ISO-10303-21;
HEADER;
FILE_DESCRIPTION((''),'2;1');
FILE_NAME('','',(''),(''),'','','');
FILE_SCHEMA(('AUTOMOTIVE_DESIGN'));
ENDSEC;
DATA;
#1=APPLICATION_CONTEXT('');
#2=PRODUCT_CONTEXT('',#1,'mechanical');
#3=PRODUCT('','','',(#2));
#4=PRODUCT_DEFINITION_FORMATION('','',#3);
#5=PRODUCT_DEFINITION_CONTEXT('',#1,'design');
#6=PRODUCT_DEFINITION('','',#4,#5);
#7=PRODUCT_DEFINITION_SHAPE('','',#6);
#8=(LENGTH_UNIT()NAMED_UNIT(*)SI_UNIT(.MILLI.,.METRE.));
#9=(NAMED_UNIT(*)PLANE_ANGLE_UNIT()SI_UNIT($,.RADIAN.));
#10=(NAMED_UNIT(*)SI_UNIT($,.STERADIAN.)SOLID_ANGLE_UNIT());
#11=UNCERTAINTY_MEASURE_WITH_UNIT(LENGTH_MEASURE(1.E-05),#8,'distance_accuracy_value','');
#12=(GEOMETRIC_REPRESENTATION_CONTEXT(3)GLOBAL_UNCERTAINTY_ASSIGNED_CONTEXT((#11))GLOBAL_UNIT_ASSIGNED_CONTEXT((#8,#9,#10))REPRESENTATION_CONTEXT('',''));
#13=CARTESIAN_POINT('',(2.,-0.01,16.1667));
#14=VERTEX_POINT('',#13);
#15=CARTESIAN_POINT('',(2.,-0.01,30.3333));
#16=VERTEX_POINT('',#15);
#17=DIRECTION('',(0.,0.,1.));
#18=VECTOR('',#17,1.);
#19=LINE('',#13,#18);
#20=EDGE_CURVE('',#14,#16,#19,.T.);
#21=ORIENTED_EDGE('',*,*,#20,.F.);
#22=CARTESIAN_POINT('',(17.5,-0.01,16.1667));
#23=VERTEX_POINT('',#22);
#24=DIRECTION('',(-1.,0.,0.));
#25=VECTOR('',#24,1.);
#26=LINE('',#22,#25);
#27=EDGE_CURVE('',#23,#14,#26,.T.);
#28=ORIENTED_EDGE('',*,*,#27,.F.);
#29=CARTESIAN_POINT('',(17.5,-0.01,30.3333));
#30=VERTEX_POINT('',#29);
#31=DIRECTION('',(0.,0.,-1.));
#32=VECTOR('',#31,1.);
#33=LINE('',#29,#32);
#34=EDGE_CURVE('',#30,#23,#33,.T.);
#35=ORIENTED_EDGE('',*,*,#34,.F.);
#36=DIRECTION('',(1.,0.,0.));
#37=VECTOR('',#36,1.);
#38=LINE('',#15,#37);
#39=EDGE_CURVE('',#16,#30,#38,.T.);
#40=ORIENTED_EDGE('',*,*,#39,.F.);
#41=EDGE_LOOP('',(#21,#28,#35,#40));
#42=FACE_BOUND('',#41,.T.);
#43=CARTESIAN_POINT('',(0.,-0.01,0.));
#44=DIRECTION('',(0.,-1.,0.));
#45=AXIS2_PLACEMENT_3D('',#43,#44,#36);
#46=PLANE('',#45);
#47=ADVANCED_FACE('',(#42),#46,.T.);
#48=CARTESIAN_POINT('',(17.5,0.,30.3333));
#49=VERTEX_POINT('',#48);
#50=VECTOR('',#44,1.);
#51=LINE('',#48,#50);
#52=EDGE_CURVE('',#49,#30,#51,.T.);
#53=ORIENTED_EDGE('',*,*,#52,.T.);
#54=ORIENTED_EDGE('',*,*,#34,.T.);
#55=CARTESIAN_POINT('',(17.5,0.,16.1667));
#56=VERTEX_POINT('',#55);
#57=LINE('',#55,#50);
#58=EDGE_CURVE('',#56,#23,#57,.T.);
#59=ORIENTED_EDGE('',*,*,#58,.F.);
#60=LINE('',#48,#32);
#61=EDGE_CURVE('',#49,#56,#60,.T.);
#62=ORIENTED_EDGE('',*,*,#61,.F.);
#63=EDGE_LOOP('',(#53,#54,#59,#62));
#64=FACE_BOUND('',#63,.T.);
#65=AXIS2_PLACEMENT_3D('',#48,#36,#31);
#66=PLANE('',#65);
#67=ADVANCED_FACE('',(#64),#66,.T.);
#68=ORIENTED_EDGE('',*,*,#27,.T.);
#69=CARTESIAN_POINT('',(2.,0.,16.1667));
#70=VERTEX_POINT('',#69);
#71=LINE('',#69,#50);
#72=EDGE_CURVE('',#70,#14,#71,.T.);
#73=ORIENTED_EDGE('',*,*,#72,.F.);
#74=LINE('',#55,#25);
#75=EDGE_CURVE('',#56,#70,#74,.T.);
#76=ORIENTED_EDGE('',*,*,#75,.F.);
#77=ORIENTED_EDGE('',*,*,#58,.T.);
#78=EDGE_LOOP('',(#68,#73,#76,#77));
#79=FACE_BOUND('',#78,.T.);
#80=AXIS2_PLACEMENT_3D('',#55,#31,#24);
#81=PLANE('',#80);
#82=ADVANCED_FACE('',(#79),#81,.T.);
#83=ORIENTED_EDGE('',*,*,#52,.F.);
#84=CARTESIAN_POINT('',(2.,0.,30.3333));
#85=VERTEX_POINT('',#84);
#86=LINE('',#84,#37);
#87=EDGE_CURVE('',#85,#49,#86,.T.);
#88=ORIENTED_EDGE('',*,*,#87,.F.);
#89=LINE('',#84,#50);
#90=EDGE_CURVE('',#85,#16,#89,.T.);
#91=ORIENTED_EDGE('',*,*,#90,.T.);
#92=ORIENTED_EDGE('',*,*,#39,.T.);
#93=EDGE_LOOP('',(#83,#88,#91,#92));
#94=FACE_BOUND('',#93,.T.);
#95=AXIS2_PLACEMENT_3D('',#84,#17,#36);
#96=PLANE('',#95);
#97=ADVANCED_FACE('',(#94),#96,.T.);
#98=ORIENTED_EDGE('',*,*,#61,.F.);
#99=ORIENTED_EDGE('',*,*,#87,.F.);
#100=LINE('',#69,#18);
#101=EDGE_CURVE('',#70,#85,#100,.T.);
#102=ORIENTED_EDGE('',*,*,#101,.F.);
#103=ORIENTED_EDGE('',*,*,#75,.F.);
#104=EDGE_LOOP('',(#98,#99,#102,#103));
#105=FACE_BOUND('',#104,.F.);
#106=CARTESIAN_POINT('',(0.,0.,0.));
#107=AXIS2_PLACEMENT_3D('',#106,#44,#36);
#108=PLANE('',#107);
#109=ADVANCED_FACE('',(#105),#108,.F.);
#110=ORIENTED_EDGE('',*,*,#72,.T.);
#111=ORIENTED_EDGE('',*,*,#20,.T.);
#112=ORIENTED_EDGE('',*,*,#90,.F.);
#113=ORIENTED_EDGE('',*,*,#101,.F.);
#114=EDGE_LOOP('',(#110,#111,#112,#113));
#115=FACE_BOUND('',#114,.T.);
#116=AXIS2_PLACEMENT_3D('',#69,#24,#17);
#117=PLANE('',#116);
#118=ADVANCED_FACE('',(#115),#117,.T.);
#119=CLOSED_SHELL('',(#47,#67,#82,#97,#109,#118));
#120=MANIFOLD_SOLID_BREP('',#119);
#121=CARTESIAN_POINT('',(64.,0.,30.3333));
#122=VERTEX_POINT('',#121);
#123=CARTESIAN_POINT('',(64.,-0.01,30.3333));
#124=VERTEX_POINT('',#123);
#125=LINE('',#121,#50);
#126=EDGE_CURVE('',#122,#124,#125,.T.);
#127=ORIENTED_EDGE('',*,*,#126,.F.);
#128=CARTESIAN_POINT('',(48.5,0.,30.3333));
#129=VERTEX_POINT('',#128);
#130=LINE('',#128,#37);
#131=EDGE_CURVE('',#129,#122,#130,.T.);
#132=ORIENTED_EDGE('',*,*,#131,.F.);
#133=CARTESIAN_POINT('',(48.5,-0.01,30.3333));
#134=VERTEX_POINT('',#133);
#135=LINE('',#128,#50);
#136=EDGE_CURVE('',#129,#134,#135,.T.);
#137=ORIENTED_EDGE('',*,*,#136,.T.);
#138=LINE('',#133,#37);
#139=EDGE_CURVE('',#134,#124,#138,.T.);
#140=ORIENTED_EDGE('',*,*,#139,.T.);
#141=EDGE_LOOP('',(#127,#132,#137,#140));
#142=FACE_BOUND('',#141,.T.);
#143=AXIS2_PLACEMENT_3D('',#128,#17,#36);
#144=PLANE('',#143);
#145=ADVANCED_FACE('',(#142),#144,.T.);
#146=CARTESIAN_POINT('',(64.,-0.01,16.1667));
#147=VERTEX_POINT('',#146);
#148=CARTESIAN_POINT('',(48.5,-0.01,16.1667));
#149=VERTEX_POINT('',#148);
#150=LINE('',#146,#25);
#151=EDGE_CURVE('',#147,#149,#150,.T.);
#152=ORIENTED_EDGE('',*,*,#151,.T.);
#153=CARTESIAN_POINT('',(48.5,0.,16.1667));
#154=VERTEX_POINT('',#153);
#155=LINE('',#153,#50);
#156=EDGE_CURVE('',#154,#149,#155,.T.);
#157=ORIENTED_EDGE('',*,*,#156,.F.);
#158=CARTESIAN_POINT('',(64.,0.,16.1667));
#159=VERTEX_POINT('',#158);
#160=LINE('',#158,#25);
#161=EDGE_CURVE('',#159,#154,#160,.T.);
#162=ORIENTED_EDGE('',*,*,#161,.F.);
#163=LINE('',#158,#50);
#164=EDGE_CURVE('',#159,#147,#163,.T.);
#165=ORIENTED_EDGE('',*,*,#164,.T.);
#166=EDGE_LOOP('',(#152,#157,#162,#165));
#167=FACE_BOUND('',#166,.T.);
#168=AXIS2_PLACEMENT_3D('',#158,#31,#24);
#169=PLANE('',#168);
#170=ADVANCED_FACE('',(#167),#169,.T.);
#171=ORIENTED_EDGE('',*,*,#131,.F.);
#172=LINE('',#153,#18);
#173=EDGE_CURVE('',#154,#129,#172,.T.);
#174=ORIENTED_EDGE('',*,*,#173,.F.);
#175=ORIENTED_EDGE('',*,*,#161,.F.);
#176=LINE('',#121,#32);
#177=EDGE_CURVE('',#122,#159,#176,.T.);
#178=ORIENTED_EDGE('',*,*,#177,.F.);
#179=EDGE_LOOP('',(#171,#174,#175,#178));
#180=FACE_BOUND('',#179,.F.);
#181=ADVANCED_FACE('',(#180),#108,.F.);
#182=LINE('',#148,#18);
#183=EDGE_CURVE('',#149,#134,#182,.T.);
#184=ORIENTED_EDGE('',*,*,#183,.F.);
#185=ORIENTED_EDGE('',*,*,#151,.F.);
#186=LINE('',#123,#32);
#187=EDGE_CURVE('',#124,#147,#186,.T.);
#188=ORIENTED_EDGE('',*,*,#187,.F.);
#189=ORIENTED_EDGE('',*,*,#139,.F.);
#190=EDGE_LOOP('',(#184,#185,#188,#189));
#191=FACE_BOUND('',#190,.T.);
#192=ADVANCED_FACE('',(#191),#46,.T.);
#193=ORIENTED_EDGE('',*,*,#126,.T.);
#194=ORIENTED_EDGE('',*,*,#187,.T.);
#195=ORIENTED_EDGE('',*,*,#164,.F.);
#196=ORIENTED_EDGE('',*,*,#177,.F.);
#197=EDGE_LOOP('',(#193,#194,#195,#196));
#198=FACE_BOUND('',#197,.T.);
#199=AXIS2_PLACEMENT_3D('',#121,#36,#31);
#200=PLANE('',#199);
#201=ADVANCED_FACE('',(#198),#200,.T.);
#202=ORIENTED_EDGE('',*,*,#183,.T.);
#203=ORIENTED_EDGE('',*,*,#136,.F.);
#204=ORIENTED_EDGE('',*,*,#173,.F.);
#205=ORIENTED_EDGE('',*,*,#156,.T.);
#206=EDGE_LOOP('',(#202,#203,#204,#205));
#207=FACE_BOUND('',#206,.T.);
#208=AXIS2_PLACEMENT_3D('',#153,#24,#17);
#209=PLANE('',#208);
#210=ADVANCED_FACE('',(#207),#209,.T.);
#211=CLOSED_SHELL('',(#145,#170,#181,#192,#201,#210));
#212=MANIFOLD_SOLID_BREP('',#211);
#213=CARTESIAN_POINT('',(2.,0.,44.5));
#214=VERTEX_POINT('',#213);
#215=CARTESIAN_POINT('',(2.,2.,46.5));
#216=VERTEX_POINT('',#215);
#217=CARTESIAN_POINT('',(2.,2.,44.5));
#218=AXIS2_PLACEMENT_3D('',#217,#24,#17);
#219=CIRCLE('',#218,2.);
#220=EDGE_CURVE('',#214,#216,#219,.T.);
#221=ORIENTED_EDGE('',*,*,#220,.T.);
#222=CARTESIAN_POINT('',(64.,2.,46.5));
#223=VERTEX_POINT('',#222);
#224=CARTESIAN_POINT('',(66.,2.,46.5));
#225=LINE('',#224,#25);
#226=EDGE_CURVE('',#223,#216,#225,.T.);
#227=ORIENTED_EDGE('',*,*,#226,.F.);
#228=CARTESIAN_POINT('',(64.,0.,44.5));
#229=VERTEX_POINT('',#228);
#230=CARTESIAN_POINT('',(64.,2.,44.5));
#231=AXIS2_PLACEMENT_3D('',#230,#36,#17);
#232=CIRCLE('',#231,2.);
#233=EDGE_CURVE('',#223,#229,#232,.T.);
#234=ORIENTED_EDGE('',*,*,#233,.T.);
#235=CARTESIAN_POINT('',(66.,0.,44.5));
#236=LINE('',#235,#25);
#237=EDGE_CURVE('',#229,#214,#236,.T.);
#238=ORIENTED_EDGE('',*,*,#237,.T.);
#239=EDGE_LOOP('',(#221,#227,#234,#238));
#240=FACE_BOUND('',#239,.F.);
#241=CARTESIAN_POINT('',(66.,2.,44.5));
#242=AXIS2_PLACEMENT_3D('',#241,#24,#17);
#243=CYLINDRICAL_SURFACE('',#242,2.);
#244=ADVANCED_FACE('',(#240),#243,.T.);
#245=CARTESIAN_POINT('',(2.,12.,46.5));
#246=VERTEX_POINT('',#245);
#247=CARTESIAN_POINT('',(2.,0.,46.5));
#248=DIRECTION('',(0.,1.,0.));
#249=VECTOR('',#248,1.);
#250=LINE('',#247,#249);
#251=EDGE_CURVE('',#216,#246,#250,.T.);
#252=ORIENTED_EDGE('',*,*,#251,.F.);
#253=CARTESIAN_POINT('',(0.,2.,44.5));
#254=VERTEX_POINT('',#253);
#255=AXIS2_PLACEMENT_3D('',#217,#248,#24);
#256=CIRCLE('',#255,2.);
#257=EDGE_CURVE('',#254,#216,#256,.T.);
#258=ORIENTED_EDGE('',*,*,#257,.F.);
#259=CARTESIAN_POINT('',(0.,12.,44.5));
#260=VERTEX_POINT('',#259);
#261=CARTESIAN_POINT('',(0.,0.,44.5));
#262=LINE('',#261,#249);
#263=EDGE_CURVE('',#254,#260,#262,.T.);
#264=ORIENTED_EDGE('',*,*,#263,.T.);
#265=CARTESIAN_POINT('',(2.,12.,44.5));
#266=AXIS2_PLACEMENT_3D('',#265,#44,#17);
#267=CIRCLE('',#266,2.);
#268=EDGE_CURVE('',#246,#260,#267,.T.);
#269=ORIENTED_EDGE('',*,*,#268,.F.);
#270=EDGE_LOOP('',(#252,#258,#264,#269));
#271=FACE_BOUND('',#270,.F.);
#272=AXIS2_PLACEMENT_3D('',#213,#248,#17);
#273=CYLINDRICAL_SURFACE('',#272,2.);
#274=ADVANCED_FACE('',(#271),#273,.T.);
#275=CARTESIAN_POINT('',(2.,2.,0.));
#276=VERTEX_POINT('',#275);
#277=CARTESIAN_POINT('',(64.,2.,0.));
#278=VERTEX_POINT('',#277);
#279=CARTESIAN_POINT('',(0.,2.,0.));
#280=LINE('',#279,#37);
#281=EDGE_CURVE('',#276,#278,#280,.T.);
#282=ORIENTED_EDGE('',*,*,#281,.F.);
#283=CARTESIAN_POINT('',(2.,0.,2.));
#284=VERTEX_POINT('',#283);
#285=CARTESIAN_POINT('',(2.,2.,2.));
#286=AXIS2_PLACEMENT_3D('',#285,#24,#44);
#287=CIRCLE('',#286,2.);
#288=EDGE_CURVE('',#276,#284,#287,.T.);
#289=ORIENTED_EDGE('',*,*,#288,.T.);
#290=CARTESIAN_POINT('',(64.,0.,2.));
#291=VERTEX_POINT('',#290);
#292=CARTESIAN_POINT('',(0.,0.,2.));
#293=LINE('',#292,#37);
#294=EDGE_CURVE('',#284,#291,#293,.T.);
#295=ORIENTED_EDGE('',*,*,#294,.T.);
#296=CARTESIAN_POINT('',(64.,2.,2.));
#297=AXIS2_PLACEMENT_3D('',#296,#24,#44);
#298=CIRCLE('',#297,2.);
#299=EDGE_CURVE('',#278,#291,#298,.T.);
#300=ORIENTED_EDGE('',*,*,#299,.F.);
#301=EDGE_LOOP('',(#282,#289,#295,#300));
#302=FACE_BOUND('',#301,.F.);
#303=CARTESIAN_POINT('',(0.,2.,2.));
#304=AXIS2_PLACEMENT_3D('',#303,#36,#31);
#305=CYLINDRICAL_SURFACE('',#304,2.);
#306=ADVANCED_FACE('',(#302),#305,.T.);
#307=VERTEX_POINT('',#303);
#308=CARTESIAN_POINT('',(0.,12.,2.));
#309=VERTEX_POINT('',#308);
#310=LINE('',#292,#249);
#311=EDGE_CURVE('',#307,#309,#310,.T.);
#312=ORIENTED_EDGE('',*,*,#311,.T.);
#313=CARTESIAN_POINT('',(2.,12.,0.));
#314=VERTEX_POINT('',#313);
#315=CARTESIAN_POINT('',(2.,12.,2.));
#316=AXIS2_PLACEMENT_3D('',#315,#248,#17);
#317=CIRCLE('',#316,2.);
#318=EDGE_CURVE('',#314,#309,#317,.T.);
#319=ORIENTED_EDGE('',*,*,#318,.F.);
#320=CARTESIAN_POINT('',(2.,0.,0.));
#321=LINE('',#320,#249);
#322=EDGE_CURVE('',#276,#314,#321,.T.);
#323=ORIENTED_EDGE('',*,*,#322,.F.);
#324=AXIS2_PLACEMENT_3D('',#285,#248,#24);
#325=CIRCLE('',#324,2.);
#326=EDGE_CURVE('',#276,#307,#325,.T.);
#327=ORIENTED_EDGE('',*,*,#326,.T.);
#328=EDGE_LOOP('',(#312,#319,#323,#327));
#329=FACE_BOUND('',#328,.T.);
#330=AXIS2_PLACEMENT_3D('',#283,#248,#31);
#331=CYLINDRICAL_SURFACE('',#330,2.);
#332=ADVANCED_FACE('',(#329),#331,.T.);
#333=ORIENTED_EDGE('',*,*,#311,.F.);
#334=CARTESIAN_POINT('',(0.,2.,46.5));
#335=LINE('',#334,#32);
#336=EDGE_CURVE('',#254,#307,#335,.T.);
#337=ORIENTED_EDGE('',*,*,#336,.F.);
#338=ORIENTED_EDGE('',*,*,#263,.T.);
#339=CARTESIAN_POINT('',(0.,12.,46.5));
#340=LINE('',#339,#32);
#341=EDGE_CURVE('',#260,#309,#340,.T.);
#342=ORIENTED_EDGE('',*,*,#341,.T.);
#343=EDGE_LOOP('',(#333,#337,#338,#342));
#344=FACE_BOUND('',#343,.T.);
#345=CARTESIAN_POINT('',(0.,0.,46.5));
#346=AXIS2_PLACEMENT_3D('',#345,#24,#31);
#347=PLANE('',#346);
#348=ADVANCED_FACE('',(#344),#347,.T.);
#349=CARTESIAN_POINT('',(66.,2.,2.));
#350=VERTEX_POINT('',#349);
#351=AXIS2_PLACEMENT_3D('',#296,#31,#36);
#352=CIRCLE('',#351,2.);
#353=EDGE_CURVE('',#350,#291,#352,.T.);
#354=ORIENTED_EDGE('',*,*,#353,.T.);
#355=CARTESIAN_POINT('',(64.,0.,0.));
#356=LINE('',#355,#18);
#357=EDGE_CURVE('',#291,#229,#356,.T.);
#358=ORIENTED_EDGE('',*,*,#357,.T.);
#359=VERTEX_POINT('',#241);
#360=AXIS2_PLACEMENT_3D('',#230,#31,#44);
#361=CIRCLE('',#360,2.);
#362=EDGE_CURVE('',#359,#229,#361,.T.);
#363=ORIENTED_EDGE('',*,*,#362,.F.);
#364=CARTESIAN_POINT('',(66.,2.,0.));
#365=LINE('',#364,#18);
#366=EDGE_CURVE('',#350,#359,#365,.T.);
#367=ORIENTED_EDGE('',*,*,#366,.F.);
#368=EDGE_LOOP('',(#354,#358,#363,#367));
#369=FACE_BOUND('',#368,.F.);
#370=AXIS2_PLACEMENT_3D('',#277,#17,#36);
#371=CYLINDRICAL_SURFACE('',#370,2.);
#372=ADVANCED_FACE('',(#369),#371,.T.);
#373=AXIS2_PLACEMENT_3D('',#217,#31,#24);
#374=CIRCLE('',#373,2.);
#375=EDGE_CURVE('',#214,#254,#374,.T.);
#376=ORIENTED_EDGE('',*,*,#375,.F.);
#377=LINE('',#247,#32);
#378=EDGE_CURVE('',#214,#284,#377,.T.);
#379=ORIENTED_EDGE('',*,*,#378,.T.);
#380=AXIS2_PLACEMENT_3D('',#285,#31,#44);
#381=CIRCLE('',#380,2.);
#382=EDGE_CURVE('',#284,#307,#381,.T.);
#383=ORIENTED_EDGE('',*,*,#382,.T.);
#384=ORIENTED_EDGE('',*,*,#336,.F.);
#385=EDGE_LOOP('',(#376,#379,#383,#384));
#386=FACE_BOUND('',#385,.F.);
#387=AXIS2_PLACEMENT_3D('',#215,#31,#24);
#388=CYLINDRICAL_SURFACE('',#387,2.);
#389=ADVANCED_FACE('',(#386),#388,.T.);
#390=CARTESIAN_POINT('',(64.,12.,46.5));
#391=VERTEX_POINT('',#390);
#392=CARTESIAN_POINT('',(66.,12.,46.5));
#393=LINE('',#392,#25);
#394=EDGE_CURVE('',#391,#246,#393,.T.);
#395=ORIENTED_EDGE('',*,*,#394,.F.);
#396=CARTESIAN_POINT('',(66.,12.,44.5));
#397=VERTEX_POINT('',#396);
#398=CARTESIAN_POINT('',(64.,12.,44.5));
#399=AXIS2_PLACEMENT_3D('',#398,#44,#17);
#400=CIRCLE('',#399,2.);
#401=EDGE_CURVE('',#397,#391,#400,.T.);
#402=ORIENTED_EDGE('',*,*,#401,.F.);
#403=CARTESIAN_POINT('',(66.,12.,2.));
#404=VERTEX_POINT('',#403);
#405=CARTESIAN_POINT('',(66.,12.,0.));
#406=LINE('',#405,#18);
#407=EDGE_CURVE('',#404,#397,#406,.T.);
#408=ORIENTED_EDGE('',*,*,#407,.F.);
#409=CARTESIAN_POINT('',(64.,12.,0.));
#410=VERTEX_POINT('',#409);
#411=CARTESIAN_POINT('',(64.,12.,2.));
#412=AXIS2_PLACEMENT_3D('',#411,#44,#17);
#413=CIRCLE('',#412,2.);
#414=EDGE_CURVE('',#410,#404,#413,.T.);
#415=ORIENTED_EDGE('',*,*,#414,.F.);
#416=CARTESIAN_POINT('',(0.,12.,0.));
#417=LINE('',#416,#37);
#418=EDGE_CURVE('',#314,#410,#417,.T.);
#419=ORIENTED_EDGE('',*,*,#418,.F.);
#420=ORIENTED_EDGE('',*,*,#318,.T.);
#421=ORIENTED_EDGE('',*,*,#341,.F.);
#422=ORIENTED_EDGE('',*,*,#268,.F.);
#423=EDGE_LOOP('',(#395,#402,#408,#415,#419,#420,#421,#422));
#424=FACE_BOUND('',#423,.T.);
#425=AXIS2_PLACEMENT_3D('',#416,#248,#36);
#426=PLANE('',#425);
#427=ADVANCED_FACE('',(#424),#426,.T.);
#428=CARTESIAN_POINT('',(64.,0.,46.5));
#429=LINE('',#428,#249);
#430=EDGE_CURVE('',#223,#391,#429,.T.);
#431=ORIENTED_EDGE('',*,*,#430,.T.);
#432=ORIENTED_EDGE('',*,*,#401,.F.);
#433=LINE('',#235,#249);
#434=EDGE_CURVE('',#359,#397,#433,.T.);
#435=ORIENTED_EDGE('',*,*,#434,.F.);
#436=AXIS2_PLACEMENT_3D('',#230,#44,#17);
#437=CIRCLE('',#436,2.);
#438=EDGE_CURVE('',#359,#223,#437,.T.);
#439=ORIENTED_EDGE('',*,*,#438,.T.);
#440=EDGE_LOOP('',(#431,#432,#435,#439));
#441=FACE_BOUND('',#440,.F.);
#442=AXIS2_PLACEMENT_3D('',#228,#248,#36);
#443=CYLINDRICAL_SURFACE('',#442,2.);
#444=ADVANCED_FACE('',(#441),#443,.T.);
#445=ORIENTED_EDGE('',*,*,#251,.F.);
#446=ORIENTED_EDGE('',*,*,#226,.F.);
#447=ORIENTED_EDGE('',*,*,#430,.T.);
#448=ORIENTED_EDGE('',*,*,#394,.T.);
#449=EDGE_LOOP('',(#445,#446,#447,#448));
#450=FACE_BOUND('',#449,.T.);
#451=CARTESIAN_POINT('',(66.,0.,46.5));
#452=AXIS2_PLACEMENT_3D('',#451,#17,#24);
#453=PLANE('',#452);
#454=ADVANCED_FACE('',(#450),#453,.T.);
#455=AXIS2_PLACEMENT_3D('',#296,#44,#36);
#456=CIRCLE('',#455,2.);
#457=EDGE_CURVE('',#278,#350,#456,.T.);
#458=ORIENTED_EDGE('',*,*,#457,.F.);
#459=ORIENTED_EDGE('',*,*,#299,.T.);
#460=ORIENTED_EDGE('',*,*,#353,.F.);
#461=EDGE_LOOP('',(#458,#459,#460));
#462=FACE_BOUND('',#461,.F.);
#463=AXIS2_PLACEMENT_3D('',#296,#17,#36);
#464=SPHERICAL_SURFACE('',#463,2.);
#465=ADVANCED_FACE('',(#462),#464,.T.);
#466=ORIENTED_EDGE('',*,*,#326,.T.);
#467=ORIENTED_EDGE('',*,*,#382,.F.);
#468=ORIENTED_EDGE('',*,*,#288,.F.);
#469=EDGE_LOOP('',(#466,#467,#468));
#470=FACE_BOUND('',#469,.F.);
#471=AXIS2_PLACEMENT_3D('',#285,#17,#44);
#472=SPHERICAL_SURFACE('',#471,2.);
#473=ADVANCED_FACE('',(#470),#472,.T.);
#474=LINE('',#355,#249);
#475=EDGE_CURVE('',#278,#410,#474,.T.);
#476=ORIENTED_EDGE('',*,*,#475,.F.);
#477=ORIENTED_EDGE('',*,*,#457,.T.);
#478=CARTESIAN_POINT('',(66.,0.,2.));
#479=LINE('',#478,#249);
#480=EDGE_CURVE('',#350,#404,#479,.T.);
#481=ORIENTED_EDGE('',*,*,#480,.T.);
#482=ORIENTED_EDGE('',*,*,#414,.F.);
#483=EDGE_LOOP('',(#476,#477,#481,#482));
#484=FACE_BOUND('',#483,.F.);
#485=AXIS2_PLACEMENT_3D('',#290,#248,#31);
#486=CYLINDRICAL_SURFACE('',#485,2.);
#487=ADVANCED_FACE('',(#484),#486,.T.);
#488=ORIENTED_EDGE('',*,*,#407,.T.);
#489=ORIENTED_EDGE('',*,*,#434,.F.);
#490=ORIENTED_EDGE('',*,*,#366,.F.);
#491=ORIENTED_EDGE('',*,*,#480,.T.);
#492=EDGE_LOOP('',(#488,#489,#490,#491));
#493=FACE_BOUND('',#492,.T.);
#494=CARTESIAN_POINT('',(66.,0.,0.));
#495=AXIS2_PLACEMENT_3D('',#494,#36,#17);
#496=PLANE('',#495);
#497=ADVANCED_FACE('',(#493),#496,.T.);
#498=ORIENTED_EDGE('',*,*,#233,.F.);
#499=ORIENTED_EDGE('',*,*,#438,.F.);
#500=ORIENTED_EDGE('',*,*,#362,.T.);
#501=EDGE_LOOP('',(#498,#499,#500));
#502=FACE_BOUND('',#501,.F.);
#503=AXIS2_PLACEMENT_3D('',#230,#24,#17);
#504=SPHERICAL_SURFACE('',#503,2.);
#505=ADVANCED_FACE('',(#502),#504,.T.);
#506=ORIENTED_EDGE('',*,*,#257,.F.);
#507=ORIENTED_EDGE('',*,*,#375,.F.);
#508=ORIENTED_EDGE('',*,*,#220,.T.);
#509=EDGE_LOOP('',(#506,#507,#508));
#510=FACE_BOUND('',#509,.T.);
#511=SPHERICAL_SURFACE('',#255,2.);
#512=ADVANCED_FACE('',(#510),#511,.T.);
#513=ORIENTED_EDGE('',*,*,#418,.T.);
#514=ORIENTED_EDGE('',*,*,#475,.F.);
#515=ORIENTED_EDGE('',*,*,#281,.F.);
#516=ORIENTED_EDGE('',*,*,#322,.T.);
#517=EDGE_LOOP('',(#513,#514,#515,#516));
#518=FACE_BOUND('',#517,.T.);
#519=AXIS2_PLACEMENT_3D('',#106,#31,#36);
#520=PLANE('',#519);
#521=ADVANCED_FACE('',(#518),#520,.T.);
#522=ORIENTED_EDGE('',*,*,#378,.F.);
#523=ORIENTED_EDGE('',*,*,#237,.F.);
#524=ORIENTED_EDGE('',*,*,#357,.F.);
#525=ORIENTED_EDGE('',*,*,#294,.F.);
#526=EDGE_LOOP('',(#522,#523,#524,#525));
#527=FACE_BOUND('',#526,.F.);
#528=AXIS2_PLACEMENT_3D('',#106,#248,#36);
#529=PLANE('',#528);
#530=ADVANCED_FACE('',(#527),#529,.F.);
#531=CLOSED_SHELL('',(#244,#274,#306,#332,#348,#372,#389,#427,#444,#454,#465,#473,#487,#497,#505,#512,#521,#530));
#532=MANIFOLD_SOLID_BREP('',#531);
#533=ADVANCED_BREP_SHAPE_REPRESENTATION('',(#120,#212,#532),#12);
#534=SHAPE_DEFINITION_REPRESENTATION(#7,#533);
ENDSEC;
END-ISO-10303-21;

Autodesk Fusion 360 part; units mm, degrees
sketch "Nose Plate" plane through (0, 0, 0) normal (0, 1, 0) x (1, 0, 0)
  line L0 (0, 0) -> (66, 0)
  line L1 (66, 0) -> (66, -46.5)
  line L2 (66, -46.5) -> (0, -46.5)
  line L3 (0, -46.5) -> (0, 0)
  dimension "d5" = 66
  dimension "d6" = 46.5
extrude "Extrude1" add sketch "Nose Plate" along normal blind 12 makes body 1
sketch "Nostrils" plane through (0, 0, 0) normal (0, -1, 0) x (1, 0, 0)
  line L0 (66, 46.5) -> (0, 46.5)
  line L1 (0, 46.5) -> (0, 0)
  line L2 (0, 0) -> (66, 0)
  line L3 (66, 0) -> (66, 46.5)
  line L4 (2, 30.3333) -> (17.5, 30.3333)
  line L5 (17.5, 30.3333) -> (17.5, 16.1667)
  line L6 (17.5, 16.1667) -> (2, 16.1667)
  line L7 (2, 16.1667) -> (2, 30.3333)
  line L8 (48.5, 30.3333) -> (64, 30.3333)
  line L9 (64, 30.3333) -> (64, 16.1667)
  line L10 (64, 16.1667) -> (48.5, 16.1667)
  line L11 (48.5, 16.1667) -> (48.5, 30.3333)
  dimension "d22" = 15.5
  dimension "d23" = 15.5
  dimension "d24" = 31
  dimension "d25" = 14.1667
  dimension "d26" = 14.1667
  dimension "d27" = 16.1667
  dimension "d28" = 16.1667
  dimension "d39" = 2
  dimension "d40" = 2
extrude "Extrude4" add sketch "Nostrils" along normal blind 0.01 separate body contours L4 L5 L6 L7 | L8 L9 L10 L11 makes body 2 at (7.1667, 0, 25.6111) makes body 3 at (53.6667, 0, 20.8889)
fillet "Fillet1" radius 2 8 edges at (0, 6, 46.5) (0, 0, 23.25) (33, 0, 46.5) (66, 6, 46.5) (66, 0, 23.25) (66, 6, 0) (33, 0, 0) (0, 6, 0) on bodies 1
equation "block_size = 16 mm"
equation "pine_thickness = 12 mm"
equation "nose_plate_height = 3 * face_block_height"
equation "nose_plate_width = 4 * face_block_width"
equation "d5 = nose_plate_width"
equation "d6 = nose_plate_height"
equation "d7 = pine_thickness"
equation "nostril_block_width = ( nose_plate_width - 2 * fillet_radius ) / 4"
equation "d22 = nostril_block_width"
equation "d23 = nostril_block_width"
equation "d25 = nostril_block_height"
equation "d26 = nostril_block_height"
equation "d27 = nostril_block_height + fillet_radius"
equation "d28 = nostril_block_height + fillet_radius"
equation "front_face_plate_height = 8 * block_size"
equation "front_face_plate_width = 10 * block_size - 2 * pine_thickness"
equation "face_block_width = ( front_face_plate_width - 2 * fillet_radius ) / 8"
equation "fillet_radius = 2 mm"
equation "face_block_height = ( front_face_plate_height - 2 * fillet_radius ) / 8"
equation "nostril_block_height = ( nose_plate_height - 2 * fillet_radius ) / 3"
equation "d39 = fillet_radius"
equation "d40 = fillet_radius"
equation "d44 = fillet_radius"
